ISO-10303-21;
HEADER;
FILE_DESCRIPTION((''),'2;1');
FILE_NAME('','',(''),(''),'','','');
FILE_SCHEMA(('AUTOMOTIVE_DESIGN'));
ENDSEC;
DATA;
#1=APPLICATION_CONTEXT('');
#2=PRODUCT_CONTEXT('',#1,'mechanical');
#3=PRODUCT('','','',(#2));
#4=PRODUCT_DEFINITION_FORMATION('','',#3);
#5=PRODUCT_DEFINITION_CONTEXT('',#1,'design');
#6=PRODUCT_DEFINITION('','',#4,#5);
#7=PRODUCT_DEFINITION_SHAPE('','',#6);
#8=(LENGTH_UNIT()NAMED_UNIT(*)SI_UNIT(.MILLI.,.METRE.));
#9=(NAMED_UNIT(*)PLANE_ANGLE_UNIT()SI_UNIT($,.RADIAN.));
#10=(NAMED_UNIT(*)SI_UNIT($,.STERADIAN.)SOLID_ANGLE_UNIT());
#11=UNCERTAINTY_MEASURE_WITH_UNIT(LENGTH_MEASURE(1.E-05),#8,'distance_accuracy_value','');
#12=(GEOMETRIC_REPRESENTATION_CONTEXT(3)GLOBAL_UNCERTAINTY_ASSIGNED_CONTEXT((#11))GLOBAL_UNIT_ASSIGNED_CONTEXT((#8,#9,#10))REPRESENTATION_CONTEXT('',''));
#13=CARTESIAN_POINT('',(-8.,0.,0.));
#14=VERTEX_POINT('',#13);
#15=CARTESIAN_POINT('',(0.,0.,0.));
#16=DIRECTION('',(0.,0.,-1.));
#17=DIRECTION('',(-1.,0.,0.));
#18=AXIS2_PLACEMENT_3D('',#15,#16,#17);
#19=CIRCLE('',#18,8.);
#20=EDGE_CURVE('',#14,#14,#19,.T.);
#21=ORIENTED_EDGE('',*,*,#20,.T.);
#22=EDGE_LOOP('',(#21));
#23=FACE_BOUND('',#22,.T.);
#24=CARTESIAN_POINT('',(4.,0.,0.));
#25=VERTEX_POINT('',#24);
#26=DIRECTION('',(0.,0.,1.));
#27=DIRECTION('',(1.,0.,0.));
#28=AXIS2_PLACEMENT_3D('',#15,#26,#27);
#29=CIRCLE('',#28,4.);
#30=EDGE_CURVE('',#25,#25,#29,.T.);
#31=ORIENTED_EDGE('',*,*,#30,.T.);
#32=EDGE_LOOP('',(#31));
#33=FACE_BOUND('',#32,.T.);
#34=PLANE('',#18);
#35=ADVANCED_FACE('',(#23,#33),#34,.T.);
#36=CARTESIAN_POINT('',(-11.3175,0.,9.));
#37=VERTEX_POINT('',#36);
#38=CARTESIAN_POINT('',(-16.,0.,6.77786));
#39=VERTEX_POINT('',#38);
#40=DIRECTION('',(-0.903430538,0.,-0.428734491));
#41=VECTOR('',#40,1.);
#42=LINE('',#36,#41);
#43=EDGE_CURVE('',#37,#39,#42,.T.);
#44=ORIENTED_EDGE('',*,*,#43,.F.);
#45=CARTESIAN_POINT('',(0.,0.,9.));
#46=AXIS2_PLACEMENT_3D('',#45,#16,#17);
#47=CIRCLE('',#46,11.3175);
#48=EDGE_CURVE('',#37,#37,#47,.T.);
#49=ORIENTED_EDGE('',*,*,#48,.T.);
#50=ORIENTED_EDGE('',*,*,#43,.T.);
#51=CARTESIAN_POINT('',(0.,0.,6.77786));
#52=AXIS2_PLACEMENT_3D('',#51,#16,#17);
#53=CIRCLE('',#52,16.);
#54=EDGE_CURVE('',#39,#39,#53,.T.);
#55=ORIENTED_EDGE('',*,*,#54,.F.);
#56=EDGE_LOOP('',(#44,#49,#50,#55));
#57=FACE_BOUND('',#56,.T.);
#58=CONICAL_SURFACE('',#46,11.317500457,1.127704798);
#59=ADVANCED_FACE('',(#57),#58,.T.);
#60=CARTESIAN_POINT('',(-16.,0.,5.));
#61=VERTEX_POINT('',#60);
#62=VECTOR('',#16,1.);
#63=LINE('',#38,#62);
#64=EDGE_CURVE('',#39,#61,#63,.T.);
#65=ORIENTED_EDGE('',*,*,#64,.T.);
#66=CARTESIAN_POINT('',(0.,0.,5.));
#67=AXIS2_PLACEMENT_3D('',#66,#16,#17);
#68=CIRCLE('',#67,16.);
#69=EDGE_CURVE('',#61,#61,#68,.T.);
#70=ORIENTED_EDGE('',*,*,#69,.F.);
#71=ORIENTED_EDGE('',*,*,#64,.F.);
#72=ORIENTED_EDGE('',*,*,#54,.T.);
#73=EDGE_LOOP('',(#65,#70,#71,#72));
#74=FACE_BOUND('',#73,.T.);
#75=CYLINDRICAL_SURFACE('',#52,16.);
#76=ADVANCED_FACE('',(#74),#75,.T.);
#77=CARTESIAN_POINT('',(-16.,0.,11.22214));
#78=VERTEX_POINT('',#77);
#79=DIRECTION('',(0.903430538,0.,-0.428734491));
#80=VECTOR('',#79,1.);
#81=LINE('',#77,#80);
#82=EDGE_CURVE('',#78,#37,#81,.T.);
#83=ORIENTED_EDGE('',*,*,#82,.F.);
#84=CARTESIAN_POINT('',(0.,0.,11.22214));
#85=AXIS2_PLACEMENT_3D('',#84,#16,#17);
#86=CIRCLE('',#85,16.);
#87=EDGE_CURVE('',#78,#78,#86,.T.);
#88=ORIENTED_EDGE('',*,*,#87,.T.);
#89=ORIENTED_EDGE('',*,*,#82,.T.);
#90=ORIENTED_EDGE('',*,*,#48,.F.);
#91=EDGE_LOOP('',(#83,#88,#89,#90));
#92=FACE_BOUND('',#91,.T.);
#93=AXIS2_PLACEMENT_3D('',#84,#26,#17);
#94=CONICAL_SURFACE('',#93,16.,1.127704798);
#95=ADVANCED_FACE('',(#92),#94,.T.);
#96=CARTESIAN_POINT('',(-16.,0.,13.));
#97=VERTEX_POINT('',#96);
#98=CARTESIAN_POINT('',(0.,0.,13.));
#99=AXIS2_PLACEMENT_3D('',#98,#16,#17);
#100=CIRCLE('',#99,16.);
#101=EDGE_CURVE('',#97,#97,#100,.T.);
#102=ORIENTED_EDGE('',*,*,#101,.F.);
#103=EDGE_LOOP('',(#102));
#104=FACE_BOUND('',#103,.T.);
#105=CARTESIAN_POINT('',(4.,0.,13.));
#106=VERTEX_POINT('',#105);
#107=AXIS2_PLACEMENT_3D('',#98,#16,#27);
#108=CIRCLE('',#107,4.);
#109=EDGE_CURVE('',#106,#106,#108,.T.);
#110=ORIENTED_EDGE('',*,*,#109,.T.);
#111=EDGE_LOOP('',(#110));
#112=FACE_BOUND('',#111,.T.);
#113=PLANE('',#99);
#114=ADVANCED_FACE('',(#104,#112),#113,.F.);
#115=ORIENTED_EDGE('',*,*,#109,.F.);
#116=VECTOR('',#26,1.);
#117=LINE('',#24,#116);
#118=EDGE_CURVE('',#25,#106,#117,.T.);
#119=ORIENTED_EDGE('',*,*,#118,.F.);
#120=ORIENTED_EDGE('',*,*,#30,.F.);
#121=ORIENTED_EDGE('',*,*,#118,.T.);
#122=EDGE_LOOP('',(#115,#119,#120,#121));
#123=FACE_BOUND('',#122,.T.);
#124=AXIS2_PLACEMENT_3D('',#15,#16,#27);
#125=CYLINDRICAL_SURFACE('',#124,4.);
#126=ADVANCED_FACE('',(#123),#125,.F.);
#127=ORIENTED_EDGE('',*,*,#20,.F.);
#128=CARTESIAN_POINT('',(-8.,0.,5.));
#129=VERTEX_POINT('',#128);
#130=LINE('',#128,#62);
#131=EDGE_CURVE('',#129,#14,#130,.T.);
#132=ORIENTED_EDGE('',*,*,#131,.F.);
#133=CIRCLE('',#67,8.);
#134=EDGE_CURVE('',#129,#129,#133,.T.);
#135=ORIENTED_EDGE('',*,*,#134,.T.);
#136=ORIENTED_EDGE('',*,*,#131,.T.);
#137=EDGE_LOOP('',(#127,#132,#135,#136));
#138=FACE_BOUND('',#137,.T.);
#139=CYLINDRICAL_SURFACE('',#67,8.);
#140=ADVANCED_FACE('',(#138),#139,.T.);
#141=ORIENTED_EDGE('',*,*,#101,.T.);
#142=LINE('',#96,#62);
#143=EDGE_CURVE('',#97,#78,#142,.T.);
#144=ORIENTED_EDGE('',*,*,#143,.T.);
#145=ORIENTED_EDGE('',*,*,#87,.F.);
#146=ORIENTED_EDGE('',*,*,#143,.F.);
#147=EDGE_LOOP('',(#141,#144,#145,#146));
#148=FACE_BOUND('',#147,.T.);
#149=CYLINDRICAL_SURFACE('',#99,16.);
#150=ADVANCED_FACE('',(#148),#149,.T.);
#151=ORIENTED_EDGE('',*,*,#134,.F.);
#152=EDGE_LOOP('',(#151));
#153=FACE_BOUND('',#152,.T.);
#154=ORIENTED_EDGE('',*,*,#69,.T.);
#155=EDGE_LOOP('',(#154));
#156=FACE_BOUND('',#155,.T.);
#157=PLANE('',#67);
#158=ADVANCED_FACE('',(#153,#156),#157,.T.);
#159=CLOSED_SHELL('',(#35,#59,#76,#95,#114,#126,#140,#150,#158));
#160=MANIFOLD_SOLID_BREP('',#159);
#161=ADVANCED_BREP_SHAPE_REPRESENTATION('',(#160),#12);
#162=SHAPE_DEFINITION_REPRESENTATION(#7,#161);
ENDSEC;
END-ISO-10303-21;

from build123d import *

# Parameters (mm, degrees)
F2_R          = 4
F3_DEPTH      = 25
F3_DEPTH_BACK = 25


with BuildPart() as f1:
    # F0 (on Front) → F1 (revolve)
    with BuildSketch(Plane.XZ):
        Polygon((-8, 0), (0, 0), (0, 13), (-8, 13), (-16, 13), (-16, 11.2221399145), (-11.3175004572, 9), (-16, 6.7778600855), (-16, 5), (-8, 5), align=None)
    revolve(axis=Axis((0, 0, 6.5), (0, 0, -1)))

    # F2 (on Top) → F3 (cut, two sides)
    with BuildSketch(Plane.XY) as f3_sk:
        Circle(F2_R)
    extrude(amount=-F3_DEPTH, mode=Mode.SUBTRACT)
    extrude(f3_sk.sketch, amount=F3_DEPTH_BACK, mode=Mode.SUBTRACT)


solid = f1.part
